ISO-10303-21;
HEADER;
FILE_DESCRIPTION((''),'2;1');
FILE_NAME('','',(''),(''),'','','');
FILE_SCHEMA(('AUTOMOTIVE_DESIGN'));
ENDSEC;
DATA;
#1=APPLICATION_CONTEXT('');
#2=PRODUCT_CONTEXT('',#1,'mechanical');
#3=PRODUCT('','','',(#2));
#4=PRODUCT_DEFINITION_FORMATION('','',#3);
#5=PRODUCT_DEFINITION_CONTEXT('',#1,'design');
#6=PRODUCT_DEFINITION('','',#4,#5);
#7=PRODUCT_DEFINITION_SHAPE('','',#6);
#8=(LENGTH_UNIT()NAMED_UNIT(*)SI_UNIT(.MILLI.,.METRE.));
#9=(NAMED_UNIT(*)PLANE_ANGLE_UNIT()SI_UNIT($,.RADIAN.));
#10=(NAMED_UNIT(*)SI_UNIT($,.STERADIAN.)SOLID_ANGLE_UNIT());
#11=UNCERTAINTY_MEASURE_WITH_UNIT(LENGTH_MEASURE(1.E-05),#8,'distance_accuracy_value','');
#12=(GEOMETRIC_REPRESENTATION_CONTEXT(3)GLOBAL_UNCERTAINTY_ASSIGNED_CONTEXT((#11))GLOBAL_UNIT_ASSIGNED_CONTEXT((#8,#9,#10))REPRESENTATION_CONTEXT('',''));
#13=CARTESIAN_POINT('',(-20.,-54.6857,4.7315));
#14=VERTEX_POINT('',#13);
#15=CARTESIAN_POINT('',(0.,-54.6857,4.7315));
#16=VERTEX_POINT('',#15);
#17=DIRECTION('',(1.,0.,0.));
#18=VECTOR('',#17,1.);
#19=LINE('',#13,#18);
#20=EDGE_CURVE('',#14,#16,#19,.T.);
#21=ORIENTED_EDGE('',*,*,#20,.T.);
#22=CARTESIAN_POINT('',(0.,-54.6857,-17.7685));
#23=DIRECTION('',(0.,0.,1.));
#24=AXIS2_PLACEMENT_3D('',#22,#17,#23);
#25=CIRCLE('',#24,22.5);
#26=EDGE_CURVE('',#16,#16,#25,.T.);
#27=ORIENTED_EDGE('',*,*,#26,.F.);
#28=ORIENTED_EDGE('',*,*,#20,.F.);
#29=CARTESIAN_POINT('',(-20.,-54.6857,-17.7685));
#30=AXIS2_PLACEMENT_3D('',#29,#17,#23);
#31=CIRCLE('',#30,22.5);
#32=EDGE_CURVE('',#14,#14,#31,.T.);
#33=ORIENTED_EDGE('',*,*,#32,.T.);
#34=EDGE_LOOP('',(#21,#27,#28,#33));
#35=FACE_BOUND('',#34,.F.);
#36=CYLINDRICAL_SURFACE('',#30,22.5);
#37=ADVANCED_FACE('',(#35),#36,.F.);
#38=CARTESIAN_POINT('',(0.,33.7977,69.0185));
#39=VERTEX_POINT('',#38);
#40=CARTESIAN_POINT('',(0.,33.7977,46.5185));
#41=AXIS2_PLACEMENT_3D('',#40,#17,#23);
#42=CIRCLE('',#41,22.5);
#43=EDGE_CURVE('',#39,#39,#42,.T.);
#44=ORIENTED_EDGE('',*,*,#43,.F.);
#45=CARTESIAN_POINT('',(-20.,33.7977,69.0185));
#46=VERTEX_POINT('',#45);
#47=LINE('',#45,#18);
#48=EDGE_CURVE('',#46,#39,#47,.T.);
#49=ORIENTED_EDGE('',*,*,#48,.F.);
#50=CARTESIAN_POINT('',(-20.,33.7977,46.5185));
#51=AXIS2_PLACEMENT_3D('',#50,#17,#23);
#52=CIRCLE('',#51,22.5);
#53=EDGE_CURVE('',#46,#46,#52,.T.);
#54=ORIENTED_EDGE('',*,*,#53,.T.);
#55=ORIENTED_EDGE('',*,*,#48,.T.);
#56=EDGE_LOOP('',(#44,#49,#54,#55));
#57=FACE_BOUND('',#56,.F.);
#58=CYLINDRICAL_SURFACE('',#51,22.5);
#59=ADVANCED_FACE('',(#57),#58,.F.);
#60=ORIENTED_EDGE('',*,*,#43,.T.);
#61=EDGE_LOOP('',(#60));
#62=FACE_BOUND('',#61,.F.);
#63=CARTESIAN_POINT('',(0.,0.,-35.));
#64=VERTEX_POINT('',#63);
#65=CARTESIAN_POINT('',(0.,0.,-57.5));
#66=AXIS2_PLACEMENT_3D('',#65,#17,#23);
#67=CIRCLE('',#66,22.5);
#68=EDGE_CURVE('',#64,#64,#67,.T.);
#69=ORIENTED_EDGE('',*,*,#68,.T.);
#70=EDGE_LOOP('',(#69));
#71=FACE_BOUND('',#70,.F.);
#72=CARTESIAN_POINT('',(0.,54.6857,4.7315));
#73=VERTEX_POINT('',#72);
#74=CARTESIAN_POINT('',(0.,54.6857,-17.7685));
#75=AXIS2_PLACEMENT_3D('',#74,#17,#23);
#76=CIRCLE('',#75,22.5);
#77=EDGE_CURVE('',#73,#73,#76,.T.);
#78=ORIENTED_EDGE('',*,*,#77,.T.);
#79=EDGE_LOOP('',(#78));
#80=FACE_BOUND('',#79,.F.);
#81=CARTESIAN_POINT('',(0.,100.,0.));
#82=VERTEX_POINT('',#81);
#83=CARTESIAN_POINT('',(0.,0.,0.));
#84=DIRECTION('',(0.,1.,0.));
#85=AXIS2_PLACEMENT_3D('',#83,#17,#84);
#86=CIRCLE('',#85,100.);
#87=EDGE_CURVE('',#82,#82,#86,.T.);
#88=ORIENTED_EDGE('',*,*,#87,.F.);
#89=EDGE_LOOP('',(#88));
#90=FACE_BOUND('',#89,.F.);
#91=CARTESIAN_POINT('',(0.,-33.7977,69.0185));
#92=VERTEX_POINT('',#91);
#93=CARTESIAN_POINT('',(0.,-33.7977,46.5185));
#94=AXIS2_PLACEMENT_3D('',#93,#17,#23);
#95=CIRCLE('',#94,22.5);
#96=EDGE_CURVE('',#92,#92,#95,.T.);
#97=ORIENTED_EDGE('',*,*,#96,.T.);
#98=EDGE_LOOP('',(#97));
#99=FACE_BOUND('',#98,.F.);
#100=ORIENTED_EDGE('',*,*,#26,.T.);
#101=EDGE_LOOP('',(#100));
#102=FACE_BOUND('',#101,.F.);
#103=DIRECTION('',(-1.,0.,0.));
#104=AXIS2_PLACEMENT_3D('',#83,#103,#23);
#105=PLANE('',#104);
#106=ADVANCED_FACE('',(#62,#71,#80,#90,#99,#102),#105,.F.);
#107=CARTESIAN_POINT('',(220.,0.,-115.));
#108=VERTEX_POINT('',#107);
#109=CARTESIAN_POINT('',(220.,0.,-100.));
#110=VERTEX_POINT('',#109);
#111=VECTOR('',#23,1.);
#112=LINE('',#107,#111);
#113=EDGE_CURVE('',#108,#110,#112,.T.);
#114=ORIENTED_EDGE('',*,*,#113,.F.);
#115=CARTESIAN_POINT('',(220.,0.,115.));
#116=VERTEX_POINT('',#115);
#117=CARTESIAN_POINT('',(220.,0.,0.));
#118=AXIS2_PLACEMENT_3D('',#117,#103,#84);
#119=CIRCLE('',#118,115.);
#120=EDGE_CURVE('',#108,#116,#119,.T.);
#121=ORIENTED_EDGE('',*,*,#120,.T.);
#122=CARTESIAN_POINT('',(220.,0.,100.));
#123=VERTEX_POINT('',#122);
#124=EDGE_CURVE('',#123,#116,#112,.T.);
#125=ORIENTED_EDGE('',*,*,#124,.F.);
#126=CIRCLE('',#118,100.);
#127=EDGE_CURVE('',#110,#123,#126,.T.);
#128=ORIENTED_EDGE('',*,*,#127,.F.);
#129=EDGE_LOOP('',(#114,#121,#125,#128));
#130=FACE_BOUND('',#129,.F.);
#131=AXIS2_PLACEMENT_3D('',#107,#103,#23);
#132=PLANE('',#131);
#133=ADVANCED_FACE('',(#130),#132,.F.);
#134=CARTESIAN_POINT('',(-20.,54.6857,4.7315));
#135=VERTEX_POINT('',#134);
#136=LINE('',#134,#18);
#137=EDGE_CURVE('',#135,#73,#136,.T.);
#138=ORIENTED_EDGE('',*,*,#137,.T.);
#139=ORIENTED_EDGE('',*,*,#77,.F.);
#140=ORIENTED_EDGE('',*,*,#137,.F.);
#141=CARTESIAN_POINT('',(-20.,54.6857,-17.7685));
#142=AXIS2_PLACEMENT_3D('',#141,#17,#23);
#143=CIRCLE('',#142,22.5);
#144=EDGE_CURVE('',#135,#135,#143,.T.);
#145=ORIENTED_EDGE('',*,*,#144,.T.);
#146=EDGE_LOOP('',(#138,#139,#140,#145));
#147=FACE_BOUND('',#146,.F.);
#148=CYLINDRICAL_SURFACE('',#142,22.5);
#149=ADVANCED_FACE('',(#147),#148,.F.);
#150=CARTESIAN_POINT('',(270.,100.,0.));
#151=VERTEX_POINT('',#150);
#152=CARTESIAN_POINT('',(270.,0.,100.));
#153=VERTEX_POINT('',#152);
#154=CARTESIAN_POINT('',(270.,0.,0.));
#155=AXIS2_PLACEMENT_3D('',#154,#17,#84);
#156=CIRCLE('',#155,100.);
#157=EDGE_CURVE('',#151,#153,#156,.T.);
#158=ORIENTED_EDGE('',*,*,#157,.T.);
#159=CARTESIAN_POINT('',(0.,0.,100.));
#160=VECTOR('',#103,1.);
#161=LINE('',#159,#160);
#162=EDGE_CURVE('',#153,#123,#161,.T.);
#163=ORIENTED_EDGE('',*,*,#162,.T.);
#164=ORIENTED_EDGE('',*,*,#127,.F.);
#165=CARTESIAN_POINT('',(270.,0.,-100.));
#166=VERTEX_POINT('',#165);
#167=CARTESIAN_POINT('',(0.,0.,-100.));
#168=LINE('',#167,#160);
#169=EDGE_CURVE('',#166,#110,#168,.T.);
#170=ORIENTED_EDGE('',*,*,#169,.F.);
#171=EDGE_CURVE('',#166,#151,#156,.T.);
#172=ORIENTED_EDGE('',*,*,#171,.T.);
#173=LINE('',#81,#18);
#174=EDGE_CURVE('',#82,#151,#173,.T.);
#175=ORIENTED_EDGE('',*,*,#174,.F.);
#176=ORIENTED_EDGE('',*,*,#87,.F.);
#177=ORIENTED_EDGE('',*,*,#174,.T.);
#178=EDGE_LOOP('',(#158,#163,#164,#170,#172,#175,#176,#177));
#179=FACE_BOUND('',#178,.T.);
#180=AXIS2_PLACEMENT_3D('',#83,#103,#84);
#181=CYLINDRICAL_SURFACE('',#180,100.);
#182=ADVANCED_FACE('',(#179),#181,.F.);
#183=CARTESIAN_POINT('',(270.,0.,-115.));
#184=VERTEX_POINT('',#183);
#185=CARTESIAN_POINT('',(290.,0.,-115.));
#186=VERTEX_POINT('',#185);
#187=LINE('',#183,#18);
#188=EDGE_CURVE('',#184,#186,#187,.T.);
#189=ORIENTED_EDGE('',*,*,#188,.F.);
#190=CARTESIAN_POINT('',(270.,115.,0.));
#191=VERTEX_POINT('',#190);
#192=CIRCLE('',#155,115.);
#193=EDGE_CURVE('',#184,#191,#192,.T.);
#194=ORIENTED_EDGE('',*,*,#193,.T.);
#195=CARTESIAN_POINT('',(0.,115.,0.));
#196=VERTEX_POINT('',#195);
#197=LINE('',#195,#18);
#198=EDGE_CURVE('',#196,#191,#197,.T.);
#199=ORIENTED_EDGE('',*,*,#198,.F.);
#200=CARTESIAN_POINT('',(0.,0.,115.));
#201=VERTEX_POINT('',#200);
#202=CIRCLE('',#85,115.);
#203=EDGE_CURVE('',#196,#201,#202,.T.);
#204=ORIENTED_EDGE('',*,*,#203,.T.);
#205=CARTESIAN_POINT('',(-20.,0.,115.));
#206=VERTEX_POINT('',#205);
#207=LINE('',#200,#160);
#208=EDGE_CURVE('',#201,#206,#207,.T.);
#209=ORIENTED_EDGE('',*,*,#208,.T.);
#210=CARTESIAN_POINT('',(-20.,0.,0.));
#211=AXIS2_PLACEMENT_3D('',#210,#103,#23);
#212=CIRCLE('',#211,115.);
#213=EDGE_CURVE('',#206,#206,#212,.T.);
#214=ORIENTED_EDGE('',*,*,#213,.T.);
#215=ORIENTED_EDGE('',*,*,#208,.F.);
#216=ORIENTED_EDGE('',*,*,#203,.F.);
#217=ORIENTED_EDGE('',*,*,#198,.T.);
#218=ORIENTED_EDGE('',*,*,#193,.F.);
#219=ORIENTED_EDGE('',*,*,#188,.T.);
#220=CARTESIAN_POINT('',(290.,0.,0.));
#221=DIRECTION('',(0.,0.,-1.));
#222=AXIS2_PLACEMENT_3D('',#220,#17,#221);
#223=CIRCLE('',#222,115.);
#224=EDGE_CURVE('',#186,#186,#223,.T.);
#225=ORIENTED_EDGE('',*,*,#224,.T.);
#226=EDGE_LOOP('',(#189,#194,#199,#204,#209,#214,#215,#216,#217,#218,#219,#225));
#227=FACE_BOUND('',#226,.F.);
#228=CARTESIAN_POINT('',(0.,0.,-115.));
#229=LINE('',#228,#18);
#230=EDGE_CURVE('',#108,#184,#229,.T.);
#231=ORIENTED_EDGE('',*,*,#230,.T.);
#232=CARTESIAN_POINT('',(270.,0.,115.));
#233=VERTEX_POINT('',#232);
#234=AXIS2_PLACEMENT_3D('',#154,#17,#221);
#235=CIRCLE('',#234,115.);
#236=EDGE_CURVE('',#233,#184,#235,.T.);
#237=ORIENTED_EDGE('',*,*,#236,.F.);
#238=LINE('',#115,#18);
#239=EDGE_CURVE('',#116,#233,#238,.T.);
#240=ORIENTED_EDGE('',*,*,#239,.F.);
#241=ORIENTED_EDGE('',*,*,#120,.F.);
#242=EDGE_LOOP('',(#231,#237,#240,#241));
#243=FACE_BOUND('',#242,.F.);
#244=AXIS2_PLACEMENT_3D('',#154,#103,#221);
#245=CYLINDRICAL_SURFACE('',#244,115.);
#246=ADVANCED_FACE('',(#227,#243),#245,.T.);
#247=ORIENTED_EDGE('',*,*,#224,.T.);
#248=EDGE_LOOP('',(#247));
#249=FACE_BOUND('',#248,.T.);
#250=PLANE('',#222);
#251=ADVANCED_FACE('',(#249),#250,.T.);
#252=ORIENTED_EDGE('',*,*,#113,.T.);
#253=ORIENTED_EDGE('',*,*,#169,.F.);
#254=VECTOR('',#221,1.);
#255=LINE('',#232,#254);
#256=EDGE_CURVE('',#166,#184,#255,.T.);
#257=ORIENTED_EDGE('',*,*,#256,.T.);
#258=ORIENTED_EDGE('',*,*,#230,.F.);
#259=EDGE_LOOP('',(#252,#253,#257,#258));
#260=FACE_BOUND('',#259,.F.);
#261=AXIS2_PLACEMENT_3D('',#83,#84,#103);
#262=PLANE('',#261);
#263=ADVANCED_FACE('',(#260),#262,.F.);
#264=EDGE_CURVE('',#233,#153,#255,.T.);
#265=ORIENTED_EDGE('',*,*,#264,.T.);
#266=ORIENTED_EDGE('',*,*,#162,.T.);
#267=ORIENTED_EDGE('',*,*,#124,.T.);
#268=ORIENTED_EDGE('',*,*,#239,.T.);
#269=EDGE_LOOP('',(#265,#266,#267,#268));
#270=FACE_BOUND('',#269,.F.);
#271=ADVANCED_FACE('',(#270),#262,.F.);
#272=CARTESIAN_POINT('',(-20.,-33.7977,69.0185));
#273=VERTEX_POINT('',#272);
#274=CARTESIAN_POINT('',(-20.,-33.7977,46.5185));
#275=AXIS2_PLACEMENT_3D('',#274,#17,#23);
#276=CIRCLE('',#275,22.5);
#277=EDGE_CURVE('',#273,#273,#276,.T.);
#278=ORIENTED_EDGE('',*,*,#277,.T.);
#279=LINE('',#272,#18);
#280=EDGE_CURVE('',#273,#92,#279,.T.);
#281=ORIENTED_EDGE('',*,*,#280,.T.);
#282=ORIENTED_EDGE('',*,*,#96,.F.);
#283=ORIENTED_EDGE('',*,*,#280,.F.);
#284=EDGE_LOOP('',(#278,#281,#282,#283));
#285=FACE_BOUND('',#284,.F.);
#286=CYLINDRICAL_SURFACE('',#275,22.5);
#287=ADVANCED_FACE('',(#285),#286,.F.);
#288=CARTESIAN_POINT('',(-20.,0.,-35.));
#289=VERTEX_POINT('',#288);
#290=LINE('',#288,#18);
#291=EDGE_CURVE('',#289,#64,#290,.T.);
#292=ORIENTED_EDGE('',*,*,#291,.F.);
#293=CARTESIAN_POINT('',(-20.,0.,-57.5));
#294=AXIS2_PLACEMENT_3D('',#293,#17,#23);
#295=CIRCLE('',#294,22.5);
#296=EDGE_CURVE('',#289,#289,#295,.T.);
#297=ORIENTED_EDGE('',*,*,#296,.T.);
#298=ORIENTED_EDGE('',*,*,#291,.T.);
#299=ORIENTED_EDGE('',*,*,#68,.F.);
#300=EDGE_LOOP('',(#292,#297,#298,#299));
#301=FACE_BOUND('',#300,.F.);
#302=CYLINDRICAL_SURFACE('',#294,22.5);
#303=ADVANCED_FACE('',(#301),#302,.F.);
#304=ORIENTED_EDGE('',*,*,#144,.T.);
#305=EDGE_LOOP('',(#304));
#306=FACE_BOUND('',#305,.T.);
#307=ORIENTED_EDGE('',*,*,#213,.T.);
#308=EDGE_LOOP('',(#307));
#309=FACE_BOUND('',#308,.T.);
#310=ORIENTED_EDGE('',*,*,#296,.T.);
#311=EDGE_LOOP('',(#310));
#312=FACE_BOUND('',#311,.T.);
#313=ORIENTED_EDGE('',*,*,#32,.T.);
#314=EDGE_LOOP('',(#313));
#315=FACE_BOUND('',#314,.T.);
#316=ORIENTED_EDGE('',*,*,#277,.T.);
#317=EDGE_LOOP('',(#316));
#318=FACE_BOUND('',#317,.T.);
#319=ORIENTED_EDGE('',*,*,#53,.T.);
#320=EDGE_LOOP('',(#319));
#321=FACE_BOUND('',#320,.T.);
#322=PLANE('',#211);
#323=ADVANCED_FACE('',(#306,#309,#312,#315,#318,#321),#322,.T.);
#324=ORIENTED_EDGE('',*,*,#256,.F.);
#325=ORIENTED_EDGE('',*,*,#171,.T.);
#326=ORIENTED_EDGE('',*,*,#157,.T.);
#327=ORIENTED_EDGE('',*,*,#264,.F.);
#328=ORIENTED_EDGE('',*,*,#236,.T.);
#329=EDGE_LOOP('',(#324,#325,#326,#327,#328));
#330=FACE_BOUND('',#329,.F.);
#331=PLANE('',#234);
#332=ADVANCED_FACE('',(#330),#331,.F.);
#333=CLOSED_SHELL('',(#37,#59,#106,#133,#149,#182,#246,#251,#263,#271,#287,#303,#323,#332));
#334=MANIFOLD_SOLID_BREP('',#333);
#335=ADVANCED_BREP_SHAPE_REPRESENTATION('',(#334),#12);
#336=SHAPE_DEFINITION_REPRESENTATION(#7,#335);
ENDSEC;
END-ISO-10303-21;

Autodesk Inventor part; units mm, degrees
ref_plane "YZ Plane" through (0, 0, 0) normal (1, 0, 0) x (0, 1, 0)
ref_plane "XZ Plane" through (0, 0, 0) normal (0, 1, 0) x (-1, 0, 0)
ref_plane "XY Plane" through (0, 0, 0) normal (0, 0, 1) x (1, 0, 0)
sketch "Esquisse1" plane through (0, 0, 0) normal (1, 0, 0) x (0, 1, 0)
  circle A0 centre (0, 0) radius 115
  circle A1 centre (0, 0) radius 100
  dimension "d0" = 230
  dimension "d1" = 200
extrude "Extrusion1" add sketch "Esquisse1" along normal blind 270
sketch "Esquisse2" plane through (0, 0, 0) normal (0, 1, 0) x (-1, 0, 0)
  line L0 (-270, 115) -> (-270, -115) projected
  line L1 (0, -115) -> (-270, -115) projected
  line L2 (-270, -115) -> (-220, -115)
  line L3 (-220, -115) -> (-220, 115)
  line L4 (-220, 115) -> (-270, 115)
  line L5 (-270, 115) -> (-270, -115)
  point P0 (0, 0)
  point P1 (-270, 0)
  point P2 (-245, -115)
  dimension "d4" = 230
  dimension "d5" = 50
extrude "Extrusion2" cut sketch "Esquisse2" against normal blind 270
sketch "Esquisse3" plane through (0, 0, 0) normal (-1, 0, 0) x (0, 0, 1)
  circle A0 centre (0, 0) radius 115
  circle A1 centre (0, 0) radius 115 projected
  dimension "d8" = 0
extrude "Extrusion3" add sketch "Esquisse3" along normal blind 20
sketch "Esquisse4" plane through (0, 0, 0) normal (1, 0, 0) x (0, 0, -1)
  circle A0 centre (0, 0) radius 115
  dimension "d11" = 230
sketch "Esquisse5" plane through (270, 0, 0) normal (1, 0, 0) x (0, 0, -1)
  circle A0 centre (0, 0) radius 115
  dimension "d12" = 230
extrude "Extrusion4" add sketch "Esquisse5" along normal blind 20
sketch "Esquisse6" plane through (-20, 0, 0) normal (-1, 0, 0) x (0, 0, 1)
  circle A0 centre (0, 0) radius 115 projected
  line L0 (93.037, 67.5953) -> (0, 0)
  line L1 (0, 0) -> (93.037, -67.5953)
  line L2 (0, 0) -> (-35.537, -109.3715)
  arc A1 (-115, 0) -> (115, 0) centre (0, 0) ccw projected
  line L3 (0, 0) -> (-115, 0)
  line L4 (-100, 0) -> (-115, 0) projected
  line L5 (0, 0) -> (-35.537, 109.3715)
  circle A2 centre (-57.5, 0) radius 22.5
  circle A3 centre (-17.7685, 54.6857) radius 22.5
  circle A4 centre (46.5185, 33.7977) radius 22.5
  circle A5 centre (46.5185, -33.7977) radius 22.5
  circle A6 centre (-17.7685, -54.6857) radius 22.5
  dimension "d15" = 72
  dimension "d16" = 72
  dimension "d17" = 72
  dimension "d18" = 72
  dimension "d19" = 45
  dimension "d20" = 45
  dimension "d21" = 45
  dimension "d22" = 45
  dimension "d23" = 45
hole "Perçage1" at (-20, 54.6857, -17.7685) at (-20, 33.7977, 46.5185) at (-20, -33.7977, 46.5185) at (-20, -54.6857, -17.7685) at (-20, 0, -57.5) direction (1, 0, 0) diameter 45 depth 40 tip angle 118
properties part number "socle"
